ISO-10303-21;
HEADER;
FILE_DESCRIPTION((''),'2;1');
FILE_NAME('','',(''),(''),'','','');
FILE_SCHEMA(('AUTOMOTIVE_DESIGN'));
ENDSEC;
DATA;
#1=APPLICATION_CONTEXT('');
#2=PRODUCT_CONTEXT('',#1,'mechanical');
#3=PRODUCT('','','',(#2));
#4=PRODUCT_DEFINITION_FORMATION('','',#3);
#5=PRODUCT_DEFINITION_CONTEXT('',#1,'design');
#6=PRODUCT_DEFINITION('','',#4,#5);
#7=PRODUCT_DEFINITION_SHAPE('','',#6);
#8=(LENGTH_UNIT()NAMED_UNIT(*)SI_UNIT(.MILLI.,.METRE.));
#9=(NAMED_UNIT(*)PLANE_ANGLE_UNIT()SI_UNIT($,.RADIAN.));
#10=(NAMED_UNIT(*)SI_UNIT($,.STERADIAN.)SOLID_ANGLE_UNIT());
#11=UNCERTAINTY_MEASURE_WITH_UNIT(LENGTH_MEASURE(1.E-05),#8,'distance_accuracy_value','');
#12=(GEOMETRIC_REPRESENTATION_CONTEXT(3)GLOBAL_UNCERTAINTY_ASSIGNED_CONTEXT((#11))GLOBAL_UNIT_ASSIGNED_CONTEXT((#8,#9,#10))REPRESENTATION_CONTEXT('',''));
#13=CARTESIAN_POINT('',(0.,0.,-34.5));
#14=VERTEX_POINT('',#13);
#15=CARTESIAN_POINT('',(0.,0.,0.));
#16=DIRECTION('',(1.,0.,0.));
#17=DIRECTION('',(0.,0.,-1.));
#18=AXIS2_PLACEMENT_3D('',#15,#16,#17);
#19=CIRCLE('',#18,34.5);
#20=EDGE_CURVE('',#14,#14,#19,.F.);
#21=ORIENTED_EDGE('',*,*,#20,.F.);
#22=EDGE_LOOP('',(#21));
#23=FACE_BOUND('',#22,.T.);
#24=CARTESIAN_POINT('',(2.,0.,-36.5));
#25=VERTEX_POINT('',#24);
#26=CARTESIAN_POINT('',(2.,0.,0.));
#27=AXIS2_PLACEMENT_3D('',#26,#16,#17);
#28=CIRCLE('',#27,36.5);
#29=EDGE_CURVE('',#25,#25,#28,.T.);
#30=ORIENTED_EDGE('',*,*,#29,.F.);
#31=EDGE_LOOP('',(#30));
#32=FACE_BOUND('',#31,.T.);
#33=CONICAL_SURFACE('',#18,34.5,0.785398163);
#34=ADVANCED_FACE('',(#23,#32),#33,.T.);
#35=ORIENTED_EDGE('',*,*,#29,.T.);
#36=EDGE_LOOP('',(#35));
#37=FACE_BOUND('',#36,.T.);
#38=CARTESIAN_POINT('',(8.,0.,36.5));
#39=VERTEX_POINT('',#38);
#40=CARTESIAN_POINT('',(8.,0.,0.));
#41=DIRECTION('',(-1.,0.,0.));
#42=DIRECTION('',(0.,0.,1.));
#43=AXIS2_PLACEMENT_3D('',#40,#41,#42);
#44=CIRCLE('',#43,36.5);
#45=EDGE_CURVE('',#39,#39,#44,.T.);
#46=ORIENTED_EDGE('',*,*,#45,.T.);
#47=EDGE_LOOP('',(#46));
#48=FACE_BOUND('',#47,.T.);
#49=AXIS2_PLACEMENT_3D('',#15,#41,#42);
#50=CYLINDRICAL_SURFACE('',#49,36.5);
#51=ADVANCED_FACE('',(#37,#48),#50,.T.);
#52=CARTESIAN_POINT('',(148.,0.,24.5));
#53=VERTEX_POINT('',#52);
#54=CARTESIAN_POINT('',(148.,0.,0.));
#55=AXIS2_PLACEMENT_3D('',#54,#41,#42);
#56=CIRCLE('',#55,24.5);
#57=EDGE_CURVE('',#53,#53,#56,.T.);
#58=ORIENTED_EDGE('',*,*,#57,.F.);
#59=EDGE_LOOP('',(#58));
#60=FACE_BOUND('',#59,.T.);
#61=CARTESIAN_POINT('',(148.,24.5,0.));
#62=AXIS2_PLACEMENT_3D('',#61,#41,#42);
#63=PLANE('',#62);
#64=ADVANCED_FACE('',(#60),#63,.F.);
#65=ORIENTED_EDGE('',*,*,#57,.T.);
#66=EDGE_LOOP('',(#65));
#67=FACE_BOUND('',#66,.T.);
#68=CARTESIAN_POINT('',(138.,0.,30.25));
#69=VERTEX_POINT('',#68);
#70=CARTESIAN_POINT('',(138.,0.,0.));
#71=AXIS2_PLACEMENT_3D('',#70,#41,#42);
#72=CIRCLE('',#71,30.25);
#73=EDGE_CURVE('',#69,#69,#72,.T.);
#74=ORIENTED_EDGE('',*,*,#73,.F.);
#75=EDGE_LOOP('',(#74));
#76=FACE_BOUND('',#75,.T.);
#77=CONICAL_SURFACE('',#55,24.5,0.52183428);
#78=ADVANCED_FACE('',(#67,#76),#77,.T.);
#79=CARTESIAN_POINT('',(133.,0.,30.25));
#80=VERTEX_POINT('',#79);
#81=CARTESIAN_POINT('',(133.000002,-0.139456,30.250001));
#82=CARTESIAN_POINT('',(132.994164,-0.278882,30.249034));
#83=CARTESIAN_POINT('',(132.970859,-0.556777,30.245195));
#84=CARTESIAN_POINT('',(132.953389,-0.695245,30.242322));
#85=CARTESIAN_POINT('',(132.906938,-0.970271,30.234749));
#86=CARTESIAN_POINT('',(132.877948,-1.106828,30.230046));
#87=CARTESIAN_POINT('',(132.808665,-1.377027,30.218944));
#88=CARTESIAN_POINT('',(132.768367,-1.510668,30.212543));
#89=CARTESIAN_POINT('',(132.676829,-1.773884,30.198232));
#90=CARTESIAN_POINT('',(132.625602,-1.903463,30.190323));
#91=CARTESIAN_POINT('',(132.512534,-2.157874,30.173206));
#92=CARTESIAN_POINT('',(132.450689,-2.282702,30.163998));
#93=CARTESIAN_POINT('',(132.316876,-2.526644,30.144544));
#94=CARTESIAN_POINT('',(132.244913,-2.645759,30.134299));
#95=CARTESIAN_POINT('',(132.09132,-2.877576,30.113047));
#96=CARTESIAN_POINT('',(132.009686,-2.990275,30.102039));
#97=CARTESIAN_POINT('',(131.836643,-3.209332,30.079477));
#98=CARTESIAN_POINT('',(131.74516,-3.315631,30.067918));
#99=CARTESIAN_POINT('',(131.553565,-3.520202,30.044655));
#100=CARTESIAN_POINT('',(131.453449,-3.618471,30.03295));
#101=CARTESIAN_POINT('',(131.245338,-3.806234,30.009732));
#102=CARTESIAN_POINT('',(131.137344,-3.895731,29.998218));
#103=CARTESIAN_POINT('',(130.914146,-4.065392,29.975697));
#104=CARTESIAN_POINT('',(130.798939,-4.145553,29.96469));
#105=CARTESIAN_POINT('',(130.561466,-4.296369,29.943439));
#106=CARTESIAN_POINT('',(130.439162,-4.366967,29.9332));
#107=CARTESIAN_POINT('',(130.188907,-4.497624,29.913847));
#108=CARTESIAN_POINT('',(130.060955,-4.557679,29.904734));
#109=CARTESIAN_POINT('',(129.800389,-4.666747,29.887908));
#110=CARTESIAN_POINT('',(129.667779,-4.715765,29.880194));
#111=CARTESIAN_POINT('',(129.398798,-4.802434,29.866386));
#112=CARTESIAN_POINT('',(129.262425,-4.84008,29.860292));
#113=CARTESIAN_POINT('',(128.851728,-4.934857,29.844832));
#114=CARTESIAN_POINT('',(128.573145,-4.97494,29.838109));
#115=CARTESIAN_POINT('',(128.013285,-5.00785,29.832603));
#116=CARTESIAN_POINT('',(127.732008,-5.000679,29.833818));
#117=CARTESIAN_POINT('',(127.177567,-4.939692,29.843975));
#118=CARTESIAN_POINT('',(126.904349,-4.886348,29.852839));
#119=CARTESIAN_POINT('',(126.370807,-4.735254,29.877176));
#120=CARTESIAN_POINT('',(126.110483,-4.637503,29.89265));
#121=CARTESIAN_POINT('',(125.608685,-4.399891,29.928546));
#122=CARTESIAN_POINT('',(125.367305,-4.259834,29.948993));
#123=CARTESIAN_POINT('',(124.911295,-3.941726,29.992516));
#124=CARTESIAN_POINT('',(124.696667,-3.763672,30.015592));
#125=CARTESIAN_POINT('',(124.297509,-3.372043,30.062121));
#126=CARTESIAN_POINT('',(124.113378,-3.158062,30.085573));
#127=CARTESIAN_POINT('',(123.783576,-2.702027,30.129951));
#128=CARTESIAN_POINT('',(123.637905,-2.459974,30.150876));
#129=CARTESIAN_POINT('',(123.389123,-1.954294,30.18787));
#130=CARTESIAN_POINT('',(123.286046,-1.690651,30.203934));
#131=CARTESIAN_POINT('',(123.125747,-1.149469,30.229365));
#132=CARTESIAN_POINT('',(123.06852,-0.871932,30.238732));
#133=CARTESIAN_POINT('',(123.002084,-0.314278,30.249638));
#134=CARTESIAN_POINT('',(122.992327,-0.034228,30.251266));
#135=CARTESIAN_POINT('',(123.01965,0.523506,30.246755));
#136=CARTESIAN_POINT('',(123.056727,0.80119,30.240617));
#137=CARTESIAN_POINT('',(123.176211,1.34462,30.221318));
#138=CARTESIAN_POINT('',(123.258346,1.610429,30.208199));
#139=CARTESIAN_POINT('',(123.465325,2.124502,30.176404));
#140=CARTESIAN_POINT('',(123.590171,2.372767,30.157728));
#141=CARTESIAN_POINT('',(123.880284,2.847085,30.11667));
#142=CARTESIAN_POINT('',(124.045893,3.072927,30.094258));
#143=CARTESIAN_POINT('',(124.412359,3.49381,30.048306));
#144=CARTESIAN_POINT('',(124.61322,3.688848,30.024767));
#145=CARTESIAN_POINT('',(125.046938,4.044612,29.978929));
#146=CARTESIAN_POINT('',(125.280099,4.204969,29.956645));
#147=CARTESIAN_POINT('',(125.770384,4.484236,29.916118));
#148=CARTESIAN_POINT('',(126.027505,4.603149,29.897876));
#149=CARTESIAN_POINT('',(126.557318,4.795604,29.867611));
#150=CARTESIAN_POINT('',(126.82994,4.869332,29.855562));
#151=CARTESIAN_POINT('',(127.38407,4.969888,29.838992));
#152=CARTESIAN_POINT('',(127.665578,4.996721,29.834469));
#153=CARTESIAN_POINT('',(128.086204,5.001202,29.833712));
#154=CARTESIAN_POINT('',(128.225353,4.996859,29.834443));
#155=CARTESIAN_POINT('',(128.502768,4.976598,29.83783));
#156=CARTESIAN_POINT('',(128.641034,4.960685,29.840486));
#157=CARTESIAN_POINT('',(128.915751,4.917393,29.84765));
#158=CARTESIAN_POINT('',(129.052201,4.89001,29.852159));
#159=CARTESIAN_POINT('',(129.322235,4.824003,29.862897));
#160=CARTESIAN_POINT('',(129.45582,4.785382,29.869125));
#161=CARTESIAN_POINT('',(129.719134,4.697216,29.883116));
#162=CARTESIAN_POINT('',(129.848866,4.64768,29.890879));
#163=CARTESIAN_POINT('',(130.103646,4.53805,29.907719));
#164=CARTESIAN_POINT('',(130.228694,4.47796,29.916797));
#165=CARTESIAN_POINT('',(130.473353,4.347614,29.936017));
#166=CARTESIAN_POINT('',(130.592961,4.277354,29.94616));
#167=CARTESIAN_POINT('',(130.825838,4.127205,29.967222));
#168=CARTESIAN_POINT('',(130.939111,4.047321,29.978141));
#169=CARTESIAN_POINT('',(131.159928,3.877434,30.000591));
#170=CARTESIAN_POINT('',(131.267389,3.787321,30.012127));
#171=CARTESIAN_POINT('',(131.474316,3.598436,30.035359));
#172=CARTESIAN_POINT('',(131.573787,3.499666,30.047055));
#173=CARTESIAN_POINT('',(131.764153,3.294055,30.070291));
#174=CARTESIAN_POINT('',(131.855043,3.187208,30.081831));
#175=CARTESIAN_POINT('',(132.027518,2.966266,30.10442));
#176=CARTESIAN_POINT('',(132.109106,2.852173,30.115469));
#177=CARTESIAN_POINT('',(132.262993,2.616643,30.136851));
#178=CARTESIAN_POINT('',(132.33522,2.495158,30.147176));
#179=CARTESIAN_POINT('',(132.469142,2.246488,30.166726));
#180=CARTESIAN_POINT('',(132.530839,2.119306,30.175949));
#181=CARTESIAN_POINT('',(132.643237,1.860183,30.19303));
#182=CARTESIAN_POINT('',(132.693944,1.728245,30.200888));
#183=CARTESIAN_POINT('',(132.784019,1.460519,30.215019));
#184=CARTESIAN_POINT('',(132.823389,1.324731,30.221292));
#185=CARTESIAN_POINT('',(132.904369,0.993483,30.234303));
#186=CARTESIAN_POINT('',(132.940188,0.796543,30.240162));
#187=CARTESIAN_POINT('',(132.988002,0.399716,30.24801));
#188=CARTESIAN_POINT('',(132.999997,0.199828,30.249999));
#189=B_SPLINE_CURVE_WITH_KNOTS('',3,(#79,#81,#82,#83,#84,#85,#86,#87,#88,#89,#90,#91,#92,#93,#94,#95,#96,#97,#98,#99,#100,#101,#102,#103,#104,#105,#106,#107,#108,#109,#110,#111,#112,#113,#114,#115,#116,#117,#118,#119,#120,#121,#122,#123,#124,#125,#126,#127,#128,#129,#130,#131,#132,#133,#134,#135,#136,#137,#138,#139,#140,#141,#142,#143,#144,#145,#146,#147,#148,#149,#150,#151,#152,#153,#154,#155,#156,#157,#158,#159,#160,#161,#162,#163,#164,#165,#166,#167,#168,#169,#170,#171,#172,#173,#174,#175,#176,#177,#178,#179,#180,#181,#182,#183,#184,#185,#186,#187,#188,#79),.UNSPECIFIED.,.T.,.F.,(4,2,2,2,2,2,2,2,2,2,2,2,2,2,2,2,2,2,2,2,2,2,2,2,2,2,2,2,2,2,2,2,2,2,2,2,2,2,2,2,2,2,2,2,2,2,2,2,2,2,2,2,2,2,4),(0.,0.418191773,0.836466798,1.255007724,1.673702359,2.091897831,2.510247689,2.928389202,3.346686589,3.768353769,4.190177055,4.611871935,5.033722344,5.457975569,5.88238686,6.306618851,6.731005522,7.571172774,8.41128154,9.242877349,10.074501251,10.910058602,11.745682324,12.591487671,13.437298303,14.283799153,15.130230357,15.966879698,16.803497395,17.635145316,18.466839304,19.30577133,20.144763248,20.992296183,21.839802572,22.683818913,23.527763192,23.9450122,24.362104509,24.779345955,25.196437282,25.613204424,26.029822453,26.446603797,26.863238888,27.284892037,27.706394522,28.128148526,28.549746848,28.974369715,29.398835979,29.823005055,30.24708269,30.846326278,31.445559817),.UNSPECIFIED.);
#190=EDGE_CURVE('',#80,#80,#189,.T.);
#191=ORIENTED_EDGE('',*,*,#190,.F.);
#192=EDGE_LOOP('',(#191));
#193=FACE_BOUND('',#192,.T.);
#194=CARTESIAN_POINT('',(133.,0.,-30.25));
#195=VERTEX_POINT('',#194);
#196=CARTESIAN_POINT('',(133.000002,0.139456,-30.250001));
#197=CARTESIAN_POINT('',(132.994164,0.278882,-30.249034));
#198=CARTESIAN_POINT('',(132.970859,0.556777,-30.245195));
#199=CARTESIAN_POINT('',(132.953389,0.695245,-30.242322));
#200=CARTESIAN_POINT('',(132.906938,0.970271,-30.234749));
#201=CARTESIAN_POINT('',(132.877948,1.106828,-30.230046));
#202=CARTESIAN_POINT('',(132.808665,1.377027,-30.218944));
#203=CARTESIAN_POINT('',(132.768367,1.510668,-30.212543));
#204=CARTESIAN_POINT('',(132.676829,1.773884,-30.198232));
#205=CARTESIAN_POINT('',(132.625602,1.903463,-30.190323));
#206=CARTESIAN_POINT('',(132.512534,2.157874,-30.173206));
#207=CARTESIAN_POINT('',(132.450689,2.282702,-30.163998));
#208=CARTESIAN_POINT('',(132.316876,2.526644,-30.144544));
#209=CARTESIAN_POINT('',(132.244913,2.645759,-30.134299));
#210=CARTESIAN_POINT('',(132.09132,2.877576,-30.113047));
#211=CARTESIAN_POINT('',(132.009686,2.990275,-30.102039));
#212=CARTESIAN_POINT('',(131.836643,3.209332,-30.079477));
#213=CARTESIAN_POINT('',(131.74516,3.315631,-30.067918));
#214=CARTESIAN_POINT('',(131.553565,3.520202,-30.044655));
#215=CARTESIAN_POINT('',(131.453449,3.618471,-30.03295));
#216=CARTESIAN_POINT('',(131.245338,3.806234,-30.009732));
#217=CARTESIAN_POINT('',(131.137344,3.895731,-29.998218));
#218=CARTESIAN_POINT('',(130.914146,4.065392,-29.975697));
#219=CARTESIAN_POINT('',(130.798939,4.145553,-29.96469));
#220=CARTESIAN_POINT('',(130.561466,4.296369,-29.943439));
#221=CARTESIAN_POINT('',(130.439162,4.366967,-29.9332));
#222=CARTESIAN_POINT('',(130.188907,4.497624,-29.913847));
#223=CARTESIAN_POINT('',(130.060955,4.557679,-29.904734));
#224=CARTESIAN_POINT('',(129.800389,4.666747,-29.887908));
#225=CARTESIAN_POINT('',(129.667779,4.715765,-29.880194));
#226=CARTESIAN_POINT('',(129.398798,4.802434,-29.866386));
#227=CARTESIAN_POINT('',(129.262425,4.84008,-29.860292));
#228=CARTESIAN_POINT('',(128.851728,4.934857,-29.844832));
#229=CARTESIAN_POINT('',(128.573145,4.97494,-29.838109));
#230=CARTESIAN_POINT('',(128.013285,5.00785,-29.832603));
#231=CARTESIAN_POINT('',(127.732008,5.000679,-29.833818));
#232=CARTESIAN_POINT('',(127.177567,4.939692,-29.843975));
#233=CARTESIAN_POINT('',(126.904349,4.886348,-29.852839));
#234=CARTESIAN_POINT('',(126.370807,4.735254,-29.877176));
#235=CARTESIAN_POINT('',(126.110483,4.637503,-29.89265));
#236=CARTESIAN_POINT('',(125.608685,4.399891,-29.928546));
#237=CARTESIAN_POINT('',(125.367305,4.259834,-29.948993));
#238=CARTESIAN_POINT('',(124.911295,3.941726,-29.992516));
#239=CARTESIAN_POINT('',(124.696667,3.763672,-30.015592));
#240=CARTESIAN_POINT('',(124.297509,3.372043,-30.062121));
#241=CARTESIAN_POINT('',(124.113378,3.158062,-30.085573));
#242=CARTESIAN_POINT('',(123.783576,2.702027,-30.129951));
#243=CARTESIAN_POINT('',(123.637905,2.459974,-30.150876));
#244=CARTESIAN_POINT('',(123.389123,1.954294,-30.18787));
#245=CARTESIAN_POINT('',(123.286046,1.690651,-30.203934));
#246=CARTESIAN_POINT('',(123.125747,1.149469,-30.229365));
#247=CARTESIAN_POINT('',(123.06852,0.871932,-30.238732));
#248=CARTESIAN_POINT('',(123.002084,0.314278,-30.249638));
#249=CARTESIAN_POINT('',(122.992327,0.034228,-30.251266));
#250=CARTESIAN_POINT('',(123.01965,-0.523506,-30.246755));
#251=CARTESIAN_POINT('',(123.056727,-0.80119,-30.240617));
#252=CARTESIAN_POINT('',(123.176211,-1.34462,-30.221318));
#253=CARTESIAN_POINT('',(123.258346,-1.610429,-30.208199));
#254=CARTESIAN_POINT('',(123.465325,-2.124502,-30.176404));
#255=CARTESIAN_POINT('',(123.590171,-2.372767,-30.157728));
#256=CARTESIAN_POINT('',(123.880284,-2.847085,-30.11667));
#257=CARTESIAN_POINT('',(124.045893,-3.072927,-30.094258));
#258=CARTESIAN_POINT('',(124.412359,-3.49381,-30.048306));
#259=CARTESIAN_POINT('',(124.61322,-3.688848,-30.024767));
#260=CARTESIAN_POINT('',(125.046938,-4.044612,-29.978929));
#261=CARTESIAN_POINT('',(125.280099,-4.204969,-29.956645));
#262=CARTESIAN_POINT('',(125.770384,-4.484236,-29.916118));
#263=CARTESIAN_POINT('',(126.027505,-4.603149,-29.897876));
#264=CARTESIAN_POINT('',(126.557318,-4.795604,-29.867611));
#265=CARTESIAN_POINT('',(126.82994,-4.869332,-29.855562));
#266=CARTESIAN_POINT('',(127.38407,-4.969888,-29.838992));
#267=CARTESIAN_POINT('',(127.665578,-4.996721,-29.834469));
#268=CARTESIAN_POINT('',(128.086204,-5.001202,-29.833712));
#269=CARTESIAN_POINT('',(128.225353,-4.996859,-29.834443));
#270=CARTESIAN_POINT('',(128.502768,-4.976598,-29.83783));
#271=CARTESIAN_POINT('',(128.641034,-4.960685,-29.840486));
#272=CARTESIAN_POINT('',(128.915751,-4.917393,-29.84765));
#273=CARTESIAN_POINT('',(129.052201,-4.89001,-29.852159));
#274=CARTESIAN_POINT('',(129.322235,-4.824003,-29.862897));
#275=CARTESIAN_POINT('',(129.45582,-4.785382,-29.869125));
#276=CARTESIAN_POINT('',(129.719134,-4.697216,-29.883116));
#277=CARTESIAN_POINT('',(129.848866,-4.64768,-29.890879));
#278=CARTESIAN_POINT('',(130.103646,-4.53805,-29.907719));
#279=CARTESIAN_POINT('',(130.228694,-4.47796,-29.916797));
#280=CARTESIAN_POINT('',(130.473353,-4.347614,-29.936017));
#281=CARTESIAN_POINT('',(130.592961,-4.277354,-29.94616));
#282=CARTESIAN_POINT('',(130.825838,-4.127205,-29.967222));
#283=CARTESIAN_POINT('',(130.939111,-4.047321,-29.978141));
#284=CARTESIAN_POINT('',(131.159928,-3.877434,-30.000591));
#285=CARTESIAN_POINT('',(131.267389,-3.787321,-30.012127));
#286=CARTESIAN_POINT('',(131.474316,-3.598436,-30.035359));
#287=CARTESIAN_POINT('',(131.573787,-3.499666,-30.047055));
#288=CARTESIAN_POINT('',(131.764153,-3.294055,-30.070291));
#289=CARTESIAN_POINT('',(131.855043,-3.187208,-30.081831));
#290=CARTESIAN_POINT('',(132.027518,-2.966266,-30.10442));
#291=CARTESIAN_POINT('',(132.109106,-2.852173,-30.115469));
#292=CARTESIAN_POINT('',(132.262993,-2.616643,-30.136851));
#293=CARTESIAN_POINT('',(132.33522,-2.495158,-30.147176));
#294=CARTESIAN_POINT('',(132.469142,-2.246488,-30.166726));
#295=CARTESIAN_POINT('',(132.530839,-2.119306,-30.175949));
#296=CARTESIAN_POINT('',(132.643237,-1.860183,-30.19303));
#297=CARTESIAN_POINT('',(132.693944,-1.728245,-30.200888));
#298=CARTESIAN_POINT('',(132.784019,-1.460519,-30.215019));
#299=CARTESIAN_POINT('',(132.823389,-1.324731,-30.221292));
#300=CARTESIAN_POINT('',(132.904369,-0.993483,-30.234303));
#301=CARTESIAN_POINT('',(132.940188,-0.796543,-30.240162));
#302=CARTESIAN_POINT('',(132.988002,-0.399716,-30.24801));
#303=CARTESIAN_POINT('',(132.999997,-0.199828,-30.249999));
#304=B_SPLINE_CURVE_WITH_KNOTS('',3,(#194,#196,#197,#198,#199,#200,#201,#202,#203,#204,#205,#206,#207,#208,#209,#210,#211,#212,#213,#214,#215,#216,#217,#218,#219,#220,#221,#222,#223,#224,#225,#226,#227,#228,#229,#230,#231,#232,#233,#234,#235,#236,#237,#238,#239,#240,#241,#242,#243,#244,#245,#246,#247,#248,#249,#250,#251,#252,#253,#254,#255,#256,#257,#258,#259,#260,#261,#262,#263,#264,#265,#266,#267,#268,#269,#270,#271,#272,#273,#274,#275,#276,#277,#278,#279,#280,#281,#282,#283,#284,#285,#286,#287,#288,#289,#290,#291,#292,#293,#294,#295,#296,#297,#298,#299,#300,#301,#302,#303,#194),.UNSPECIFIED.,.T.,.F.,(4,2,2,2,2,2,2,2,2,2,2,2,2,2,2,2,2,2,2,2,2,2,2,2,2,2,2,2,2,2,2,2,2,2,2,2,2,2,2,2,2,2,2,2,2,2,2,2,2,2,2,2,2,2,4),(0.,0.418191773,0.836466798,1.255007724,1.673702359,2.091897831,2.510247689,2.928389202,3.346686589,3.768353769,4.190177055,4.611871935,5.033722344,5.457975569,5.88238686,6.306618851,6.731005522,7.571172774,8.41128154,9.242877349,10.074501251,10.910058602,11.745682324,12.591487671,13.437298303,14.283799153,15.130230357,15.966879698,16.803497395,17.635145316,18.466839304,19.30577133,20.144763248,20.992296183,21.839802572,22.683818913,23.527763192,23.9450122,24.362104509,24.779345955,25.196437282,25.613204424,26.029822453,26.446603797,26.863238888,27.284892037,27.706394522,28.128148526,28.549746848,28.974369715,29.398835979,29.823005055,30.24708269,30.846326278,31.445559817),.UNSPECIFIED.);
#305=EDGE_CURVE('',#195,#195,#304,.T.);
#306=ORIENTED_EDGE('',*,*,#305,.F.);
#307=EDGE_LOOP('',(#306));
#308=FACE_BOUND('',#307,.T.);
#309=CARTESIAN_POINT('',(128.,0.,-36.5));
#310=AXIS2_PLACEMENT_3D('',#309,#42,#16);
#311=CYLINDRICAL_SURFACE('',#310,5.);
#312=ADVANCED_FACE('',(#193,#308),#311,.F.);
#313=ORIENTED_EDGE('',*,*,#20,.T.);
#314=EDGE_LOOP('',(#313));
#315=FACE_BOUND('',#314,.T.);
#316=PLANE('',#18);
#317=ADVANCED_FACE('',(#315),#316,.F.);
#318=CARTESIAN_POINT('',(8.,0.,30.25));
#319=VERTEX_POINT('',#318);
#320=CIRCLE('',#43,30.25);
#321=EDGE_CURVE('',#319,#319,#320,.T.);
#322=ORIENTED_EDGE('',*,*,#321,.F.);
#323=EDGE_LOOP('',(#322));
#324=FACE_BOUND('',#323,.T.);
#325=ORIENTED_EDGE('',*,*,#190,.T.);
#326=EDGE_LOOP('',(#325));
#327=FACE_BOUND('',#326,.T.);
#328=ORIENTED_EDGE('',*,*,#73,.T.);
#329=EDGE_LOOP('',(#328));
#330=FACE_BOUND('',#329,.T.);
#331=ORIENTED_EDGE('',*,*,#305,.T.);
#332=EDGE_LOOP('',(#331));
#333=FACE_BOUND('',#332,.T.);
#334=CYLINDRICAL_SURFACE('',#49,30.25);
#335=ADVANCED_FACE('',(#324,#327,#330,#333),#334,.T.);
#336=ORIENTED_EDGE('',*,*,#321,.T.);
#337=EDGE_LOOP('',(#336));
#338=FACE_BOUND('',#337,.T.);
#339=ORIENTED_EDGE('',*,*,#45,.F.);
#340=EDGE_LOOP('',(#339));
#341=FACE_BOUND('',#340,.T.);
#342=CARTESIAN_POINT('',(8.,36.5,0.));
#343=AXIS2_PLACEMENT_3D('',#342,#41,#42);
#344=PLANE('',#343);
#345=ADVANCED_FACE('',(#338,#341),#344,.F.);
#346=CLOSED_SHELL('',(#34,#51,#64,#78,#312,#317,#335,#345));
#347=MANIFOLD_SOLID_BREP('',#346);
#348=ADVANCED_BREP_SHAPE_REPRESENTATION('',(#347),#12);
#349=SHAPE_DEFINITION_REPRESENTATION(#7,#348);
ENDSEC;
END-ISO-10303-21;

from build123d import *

# Parameters (mm, degrees)
CHAMFER_1_SIZE      = 2
SKETCH_2_R          = 5
CUT_EXTRUDE_1_DEPTH = 171.553510665


with BuildPart() as part:
    # 草图1 → 旋转1 (revolve)
    with BuildSketch(Plane.XY, mode=Mode.PRIVATE) as revolve_1_sk:
        Polygon((0, 0), (0, 36.5), (8, 36.5), (8, 30.25), (138, 30.25), (148, 24.5), (148, 0), align=None)
    revolve(revolve_1_sk.sketch.rotate(Axis((0, 0, 0), (1, 0, 0)), 90), axis=Axis((0, 0, 0), (1, 0, 0)))

    # 倒角1
    chamfer_1_edges = [part.edges().sort_by_distance(p)[0] for p in [
        (0, 0, -36.5),
    ]]
    chamfer(chamfer_1_edges, length=CHAMFER_1_SIZE)

    # 草图2 → 切除-拉伸1 (cut, through all)
    with BuildSketch(Plane.XY.offset(40)):
        with Locations((128, 0)):
            Circle(SKETCH_2_R)
    extrude(amount=-CUT_EXTRUDE_1_DEPTH, mode=Mode.SUBTRACT)


solid = part.part
